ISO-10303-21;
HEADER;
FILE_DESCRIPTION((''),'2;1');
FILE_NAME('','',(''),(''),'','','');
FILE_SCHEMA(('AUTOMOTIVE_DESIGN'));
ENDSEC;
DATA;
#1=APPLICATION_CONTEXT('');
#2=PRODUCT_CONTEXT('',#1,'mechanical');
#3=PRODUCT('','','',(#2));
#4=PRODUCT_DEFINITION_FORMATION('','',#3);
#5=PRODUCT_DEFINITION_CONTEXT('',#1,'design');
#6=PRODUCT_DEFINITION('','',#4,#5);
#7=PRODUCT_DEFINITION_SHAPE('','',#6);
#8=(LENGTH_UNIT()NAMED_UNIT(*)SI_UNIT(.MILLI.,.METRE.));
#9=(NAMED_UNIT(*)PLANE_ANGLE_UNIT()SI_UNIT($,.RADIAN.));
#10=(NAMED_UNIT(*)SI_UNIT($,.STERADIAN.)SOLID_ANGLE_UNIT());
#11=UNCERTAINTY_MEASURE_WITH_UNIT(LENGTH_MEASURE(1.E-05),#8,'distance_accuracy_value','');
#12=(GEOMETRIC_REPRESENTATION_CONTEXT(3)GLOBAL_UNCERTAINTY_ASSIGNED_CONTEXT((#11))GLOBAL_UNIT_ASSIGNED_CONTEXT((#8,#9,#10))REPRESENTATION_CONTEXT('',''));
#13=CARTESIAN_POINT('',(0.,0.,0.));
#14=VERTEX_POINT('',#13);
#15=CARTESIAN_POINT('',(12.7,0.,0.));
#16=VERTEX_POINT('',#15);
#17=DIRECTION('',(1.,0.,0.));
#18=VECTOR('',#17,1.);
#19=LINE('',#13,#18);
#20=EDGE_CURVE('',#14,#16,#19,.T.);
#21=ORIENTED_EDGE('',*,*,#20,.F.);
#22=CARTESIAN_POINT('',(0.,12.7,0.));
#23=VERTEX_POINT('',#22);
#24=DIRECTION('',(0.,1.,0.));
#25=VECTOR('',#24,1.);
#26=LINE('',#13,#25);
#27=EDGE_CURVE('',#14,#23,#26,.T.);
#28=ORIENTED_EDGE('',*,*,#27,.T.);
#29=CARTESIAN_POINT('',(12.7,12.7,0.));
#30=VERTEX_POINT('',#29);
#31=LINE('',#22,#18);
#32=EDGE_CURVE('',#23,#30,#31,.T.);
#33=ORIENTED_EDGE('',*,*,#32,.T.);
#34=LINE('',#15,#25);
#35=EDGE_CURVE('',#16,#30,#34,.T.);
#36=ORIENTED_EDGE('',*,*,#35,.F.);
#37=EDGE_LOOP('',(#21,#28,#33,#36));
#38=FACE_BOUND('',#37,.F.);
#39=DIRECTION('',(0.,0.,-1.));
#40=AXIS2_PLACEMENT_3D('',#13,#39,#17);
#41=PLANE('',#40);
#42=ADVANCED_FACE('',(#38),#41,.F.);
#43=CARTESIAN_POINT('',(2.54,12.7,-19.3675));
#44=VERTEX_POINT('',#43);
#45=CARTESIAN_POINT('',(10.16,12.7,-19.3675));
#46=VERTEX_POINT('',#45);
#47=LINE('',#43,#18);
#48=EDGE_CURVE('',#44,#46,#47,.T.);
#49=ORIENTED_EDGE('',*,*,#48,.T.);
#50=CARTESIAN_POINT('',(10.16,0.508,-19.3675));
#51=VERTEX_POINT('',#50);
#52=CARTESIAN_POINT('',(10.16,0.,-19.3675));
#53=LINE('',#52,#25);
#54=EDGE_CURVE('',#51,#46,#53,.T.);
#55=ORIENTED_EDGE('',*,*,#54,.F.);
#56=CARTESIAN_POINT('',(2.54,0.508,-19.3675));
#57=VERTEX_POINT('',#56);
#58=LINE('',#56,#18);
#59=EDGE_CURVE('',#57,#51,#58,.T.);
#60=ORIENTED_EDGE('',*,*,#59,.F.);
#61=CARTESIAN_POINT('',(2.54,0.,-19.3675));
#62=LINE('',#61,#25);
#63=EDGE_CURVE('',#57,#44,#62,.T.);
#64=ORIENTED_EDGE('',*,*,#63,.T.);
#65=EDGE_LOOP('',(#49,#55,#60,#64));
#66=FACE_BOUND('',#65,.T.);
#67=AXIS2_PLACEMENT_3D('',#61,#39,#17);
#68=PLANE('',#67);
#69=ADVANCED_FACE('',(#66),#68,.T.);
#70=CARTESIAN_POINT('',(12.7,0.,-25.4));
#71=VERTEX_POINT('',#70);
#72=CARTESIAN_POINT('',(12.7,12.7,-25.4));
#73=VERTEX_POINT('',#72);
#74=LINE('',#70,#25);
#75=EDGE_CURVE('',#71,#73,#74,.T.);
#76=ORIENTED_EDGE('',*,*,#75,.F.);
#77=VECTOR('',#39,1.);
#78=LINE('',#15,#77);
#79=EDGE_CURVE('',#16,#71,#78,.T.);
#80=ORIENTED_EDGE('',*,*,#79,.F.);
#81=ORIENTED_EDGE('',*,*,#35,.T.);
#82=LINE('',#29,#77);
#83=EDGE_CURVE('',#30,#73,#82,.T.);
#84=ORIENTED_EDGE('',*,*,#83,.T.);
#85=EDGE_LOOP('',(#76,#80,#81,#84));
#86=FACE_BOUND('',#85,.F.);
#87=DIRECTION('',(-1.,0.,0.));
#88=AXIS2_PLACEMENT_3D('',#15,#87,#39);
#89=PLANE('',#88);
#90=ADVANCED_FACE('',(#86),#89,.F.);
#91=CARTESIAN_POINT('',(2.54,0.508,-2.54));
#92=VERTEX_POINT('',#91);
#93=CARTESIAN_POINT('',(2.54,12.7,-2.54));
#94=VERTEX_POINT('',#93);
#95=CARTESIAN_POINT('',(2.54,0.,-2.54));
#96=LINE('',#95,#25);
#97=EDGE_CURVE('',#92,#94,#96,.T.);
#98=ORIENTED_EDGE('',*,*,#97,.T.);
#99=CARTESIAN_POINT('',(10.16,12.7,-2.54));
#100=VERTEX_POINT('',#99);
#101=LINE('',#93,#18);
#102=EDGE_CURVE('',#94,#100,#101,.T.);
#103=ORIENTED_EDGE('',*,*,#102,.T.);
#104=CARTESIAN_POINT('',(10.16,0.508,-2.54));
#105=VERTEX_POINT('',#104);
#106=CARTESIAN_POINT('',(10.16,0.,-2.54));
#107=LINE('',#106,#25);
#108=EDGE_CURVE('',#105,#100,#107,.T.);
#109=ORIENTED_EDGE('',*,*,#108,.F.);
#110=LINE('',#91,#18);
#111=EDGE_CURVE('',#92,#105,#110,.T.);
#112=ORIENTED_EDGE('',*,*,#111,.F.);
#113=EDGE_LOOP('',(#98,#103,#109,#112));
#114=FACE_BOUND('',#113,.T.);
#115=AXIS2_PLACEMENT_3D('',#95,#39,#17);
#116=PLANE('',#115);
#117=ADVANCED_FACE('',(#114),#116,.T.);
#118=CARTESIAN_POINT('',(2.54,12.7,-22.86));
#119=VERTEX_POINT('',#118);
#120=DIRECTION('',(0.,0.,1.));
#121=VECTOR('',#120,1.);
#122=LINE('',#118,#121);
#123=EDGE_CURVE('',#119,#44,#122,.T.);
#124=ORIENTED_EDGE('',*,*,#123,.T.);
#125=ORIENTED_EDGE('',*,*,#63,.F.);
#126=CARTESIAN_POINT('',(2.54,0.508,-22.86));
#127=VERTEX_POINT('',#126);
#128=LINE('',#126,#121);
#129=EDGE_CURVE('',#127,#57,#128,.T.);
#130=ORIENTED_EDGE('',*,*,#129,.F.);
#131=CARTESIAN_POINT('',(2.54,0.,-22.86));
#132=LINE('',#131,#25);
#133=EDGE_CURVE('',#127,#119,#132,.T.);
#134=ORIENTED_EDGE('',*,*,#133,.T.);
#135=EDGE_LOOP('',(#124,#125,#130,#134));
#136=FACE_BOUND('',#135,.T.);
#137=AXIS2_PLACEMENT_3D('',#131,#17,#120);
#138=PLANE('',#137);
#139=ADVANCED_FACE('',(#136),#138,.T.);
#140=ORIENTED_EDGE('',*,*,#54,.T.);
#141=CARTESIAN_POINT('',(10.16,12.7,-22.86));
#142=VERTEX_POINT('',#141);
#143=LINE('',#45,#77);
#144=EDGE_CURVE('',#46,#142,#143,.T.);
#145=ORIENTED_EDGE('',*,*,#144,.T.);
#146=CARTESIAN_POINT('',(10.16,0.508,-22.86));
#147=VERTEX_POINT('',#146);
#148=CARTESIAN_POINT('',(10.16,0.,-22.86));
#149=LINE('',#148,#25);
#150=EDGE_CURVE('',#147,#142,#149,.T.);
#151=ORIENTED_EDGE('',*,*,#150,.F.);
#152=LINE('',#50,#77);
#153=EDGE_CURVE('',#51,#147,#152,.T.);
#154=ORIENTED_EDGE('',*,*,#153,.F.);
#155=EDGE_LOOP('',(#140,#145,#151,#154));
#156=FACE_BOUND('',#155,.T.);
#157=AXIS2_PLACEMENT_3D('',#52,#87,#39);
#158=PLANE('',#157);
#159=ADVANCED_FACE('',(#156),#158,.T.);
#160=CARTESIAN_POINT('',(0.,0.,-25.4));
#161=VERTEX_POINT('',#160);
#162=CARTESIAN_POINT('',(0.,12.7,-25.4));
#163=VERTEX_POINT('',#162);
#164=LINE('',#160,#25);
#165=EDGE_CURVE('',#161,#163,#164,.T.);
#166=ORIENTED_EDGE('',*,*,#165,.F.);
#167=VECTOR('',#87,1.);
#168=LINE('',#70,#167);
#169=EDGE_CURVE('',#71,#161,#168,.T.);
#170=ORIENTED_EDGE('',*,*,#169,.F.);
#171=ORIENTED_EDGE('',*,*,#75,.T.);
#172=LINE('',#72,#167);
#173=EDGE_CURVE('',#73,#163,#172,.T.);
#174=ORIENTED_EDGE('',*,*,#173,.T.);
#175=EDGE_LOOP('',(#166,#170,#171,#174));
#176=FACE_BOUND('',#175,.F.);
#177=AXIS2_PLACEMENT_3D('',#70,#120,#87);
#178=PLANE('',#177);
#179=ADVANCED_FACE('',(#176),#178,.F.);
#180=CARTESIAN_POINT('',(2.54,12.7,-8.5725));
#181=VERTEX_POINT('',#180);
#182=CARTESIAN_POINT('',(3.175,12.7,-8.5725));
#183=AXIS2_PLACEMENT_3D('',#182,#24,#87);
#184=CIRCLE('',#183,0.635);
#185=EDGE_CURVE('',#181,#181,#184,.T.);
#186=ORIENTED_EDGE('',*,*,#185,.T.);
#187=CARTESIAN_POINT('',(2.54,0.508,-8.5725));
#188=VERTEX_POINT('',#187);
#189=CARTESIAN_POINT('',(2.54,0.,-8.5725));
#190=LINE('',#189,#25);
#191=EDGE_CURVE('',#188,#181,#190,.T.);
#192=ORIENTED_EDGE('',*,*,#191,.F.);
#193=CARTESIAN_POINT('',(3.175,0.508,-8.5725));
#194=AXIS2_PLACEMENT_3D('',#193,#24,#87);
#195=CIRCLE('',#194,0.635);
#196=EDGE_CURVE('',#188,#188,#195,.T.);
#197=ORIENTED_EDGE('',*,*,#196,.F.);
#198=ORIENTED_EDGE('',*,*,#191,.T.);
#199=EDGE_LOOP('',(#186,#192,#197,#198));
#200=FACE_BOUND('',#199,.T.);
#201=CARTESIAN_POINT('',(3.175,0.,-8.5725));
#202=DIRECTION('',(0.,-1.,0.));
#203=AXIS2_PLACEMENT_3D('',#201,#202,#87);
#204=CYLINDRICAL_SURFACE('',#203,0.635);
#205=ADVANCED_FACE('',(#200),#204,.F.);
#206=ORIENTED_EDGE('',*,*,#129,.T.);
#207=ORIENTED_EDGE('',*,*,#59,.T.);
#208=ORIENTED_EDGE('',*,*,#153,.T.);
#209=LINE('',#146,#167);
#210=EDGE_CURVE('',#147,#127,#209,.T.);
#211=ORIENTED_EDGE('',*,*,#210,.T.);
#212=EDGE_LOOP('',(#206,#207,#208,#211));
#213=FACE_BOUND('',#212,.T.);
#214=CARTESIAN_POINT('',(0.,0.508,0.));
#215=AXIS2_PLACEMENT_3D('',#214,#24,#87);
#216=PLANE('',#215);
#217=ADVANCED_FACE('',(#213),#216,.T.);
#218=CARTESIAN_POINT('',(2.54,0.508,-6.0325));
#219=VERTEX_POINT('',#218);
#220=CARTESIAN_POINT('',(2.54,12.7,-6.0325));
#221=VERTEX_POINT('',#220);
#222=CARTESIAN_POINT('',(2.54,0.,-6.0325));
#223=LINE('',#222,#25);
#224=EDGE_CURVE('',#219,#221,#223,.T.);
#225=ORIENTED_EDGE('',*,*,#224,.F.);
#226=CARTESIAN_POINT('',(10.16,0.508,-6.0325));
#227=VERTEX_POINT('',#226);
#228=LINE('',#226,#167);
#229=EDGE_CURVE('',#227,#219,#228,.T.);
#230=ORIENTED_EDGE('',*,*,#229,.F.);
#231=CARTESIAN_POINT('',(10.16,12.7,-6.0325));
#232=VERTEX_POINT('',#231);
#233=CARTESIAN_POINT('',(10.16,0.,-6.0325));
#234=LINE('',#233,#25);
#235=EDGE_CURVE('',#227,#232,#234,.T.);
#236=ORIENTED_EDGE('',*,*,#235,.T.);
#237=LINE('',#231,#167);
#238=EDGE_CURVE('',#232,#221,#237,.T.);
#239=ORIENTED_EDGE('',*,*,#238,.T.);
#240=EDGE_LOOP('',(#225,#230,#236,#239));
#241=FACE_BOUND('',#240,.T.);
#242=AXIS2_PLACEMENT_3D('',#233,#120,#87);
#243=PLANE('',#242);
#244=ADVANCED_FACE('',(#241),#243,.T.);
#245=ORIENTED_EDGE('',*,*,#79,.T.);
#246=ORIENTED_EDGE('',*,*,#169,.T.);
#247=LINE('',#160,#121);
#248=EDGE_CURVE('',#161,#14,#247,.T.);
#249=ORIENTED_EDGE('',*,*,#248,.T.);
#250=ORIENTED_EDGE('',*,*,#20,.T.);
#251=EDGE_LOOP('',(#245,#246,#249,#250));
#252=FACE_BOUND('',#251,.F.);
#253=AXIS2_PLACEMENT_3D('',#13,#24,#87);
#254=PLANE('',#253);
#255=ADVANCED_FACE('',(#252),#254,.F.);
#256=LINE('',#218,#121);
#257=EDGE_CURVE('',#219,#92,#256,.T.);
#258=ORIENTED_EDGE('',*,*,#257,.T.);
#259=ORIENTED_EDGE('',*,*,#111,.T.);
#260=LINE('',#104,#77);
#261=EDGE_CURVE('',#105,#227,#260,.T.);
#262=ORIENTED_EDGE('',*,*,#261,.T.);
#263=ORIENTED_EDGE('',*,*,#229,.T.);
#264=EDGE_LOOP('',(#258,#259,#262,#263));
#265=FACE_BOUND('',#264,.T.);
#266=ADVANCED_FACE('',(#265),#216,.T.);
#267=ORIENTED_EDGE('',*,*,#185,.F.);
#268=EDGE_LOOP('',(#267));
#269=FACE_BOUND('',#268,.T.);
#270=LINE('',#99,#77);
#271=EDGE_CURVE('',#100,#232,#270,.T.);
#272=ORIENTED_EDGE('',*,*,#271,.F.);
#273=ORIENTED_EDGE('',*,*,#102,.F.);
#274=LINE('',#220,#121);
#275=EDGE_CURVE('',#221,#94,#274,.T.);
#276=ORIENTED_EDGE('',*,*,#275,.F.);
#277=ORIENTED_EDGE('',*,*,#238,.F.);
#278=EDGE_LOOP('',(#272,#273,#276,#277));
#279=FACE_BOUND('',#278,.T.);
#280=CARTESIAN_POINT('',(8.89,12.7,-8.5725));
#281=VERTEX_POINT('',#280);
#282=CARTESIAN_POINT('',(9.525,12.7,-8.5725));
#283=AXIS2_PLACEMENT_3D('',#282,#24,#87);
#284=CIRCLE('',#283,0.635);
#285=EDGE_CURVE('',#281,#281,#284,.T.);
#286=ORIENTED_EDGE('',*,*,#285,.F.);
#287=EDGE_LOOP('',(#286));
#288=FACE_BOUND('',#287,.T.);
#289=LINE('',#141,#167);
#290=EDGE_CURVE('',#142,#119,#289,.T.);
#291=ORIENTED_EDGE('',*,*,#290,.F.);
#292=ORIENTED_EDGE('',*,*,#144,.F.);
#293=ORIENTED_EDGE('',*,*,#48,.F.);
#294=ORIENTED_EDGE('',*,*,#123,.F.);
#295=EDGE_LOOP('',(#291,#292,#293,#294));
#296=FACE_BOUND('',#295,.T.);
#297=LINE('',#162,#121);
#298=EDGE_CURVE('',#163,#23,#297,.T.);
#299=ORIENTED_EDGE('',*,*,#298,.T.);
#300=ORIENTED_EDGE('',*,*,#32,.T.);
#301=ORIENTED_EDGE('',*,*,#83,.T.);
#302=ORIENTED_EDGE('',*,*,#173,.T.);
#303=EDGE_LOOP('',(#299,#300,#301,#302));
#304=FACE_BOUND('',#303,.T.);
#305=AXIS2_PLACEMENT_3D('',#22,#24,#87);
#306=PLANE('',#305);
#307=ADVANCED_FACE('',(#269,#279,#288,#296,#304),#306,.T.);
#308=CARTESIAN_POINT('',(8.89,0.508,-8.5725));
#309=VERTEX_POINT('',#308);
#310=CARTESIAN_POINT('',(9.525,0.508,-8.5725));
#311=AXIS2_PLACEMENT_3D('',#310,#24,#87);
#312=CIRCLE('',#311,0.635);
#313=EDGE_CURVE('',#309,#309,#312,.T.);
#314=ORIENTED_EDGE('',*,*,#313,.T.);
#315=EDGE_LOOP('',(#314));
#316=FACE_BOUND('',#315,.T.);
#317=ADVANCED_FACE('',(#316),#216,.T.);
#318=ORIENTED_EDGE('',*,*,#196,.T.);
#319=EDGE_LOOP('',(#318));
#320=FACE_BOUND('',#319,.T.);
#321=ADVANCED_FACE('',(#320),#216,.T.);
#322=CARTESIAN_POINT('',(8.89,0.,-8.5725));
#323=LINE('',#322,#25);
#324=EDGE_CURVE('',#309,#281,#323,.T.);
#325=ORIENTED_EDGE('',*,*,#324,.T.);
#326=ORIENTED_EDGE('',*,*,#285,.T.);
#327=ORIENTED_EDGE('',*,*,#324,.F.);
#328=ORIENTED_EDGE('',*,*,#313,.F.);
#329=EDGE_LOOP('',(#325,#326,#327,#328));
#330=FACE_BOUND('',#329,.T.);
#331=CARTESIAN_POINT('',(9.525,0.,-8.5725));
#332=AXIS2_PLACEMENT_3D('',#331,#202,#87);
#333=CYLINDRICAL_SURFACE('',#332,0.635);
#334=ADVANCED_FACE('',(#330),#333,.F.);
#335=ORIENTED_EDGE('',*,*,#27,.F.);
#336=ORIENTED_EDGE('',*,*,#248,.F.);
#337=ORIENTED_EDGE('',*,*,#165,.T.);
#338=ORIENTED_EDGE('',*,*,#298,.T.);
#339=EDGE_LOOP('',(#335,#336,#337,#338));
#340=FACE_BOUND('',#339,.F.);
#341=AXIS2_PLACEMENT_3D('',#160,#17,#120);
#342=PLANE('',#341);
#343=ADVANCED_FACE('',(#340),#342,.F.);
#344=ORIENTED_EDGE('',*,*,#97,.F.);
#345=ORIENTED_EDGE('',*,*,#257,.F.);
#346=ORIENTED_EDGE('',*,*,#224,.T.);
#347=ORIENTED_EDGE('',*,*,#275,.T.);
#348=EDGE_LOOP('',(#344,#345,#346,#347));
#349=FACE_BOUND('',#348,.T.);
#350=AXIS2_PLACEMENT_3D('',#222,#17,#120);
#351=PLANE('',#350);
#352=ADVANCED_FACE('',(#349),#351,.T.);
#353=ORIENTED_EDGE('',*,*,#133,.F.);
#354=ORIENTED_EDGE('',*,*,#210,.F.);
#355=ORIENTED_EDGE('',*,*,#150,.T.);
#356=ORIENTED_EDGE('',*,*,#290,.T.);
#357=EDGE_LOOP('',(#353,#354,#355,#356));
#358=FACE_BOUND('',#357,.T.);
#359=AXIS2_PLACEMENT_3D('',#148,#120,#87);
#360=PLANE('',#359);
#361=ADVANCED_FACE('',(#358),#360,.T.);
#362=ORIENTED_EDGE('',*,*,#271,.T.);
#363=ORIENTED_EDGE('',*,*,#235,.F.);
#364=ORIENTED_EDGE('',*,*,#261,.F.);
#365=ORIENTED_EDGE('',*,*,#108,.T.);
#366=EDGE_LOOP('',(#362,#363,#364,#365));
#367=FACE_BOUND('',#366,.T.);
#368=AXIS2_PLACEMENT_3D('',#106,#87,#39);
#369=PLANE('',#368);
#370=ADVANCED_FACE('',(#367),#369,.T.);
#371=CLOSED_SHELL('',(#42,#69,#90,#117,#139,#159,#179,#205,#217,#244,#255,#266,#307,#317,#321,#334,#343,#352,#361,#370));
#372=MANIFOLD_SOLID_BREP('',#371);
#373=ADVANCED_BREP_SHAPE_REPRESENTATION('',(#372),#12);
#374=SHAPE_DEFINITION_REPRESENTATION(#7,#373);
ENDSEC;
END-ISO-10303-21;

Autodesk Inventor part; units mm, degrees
ref_plane "YZ Plane" through (0, 0, 0) normal (1, 0, 0) x (0, 1, 0)
ref_plane "XZ Plane" through (0, 0, 0) normal (0, 1, 0) x (-1, 0, 0)
ref_plane "XY Plane" through (0, 0, 0) normal (0, 0, 1) x (1, 0, 0)
sketch "Sketch1" plane through (0, 0, 0) normal (0, 1, 0) x (-1, 0, 0)
  line L0 (0, 0) -> (-12.7, 0)
  line L1 (-12.7, 0) -> (-12.7, -25.4)
  line L2 (-12.7, -25.4) -> (0, -25.4)
  line L3 (0, -25.4) -> (0, 0)
  line L4 (-2.54, -2.54) -> (-10.16, -2.54)
  line L5 (-10.16, -2.54) -> (-10.16, -6.0325)
  line L6 (-10.16, -6.0325) -> (-2.54, -6.0325)
  line L7 (-2.54, -6.0325) -> (-2.54, -2.54)
  circle A0 centre (-3.175, -8.5725) radius 0.635
  circle A1 centre (-9.525, -8.5725) radius 0.635
  line L8 (-2.54, -19.3675) -> (-10.16, -19.3675)
  line L9 (-10.16, -19.3675) -> (-10.16, -22.86)
  line L10 (-10.16, -22.86) -> (-2.54, -22.86)
  line L11 (-2.54, -22.86) -> (-2.54, -19.3675)
  dimension "d0" = 12.7
  dimension "d1" = 25.4
  dimension "d2" = 2.54
  dimension "d3" = 2.54
  dimension "d4" = 2.54
  dimension "d5" = 1.27
  dimension "d6" = 2.54
  dimension "d7" = 2.54
  dimension "d8" = 2.54
extrude "Extrusion1" add sketch "Sketch1" along normal blind 12.7
extrude "Extrusion2" add sketch "Sketch1" along normal blind 0.508 contours L7 L6 L5 L4 | A0 | A1 | L11 L10 L9 L8
properties part number "Wrist Base"
